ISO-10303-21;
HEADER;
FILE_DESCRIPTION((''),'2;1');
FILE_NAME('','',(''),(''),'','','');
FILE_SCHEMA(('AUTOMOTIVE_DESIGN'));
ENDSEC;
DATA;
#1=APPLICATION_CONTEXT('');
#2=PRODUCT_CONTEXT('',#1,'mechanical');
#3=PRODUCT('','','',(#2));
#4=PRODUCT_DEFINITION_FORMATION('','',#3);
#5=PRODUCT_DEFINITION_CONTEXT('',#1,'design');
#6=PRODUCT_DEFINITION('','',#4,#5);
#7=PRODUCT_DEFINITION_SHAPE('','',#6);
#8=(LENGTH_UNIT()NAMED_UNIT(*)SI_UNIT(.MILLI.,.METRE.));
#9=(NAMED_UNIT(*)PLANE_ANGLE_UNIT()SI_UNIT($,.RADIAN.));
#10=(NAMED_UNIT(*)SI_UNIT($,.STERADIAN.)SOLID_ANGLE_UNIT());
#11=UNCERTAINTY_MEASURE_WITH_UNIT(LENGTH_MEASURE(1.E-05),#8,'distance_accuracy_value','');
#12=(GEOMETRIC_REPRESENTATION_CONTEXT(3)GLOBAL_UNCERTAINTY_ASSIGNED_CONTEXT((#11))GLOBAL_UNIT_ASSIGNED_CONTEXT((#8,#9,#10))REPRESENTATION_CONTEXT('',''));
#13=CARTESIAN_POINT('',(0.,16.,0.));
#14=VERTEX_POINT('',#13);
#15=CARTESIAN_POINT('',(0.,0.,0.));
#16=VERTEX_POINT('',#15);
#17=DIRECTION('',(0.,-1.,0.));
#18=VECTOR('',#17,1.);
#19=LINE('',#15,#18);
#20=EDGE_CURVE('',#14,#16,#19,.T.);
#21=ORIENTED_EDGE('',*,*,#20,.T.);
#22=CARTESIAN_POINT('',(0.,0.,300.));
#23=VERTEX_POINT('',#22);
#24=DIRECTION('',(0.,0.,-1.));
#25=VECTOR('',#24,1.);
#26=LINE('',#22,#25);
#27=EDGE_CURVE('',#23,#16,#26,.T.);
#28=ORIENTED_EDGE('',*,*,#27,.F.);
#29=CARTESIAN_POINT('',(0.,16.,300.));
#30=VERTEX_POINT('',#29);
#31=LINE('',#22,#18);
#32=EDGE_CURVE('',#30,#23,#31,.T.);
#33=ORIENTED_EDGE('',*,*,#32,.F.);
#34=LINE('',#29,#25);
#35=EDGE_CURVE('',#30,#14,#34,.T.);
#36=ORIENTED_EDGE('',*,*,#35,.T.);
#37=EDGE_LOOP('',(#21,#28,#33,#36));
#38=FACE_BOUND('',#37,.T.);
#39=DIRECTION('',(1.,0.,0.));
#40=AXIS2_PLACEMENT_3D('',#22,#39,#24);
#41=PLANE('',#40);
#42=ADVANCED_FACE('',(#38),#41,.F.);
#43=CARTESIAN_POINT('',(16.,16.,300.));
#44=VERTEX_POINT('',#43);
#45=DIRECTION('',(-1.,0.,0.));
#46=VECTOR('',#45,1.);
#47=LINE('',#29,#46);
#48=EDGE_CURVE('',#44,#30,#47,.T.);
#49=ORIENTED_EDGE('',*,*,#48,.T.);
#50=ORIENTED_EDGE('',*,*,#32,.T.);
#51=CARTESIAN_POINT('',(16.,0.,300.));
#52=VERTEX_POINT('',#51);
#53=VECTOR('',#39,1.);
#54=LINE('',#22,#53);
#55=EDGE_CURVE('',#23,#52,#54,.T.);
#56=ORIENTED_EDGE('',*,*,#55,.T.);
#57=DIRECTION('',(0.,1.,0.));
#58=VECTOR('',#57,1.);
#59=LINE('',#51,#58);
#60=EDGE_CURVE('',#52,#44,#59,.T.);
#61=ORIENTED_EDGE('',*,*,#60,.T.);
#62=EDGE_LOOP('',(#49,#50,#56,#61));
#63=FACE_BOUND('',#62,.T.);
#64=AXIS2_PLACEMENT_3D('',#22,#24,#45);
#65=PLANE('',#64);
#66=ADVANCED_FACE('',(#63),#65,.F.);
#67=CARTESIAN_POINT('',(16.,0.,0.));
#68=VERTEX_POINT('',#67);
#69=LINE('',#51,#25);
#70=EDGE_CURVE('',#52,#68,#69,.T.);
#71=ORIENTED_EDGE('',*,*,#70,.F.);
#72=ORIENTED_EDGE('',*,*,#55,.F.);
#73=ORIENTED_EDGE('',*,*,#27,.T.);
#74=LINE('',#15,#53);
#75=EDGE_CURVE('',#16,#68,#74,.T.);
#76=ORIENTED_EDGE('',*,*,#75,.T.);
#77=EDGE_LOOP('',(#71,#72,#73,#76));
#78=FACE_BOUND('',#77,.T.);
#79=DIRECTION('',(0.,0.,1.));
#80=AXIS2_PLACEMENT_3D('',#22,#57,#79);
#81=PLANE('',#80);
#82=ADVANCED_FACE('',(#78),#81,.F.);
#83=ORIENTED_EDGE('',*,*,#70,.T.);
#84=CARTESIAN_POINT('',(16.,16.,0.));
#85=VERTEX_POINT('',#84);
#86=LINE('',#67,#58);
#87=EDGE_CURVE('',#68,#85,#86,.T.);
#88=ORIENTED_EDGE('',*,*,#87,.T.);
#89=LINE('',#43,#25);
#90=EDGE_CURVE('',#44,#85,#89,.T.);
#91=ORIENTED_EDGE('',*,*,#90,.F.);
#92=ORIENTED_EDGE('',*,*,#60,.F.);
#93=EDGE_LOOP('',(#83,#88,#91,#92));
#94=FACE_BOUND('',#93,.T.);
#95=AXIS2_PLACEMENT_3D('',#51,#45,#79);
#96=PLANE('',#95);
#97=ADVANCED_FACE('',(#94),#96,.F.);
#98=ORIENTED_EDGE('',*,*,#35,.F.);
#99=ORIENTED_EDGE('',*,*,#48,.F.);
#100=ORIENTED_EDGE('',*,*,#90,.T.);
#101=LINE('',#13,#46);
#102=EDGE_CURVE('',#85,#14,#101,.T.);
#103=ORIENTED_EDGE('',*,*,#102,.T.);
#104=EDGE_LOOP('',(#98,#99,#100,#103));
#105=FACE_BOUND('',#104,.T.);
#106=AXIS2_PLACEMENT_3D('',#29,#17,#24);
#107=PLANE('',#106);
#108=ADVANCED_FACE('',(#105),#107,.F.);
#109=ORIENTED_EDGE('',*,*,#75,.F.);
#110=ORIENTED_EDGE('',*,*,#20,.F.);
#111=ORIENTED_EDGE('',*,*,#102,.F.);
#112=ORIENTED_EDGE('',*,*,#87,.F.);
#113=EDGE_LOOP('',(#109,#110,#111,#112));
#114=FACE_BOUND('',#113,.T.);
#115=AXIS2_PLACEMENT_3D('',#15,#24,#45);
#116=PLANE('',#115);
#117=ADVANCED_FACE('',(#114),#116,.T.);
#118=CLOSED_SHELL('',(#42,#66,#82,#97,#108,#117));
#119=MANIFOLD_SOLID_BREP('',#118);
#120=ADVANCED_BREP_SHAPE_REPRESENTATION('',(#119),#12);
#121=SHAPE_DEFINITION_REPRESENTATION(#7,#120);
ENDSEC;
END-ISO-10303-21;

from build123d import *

# Parameters (mm, degrees)
ESQUISSE1_W        = 16
ESQUISSE1_H        = 16
BOSS_EXTRU_1_DEPTH = 300


with BuildPart() as part:
    # Esquisse1 → Boss.-Extru.1 (new body)
    with BuildSketch(Plane.XY):
        with Locations((8, 8)):
            Rectangle(ESQUISSE1_W, ESQUISSE1_H)
    extrude(amount=BOSS_EXTRU_1_DEPTH)


solid = part.part
